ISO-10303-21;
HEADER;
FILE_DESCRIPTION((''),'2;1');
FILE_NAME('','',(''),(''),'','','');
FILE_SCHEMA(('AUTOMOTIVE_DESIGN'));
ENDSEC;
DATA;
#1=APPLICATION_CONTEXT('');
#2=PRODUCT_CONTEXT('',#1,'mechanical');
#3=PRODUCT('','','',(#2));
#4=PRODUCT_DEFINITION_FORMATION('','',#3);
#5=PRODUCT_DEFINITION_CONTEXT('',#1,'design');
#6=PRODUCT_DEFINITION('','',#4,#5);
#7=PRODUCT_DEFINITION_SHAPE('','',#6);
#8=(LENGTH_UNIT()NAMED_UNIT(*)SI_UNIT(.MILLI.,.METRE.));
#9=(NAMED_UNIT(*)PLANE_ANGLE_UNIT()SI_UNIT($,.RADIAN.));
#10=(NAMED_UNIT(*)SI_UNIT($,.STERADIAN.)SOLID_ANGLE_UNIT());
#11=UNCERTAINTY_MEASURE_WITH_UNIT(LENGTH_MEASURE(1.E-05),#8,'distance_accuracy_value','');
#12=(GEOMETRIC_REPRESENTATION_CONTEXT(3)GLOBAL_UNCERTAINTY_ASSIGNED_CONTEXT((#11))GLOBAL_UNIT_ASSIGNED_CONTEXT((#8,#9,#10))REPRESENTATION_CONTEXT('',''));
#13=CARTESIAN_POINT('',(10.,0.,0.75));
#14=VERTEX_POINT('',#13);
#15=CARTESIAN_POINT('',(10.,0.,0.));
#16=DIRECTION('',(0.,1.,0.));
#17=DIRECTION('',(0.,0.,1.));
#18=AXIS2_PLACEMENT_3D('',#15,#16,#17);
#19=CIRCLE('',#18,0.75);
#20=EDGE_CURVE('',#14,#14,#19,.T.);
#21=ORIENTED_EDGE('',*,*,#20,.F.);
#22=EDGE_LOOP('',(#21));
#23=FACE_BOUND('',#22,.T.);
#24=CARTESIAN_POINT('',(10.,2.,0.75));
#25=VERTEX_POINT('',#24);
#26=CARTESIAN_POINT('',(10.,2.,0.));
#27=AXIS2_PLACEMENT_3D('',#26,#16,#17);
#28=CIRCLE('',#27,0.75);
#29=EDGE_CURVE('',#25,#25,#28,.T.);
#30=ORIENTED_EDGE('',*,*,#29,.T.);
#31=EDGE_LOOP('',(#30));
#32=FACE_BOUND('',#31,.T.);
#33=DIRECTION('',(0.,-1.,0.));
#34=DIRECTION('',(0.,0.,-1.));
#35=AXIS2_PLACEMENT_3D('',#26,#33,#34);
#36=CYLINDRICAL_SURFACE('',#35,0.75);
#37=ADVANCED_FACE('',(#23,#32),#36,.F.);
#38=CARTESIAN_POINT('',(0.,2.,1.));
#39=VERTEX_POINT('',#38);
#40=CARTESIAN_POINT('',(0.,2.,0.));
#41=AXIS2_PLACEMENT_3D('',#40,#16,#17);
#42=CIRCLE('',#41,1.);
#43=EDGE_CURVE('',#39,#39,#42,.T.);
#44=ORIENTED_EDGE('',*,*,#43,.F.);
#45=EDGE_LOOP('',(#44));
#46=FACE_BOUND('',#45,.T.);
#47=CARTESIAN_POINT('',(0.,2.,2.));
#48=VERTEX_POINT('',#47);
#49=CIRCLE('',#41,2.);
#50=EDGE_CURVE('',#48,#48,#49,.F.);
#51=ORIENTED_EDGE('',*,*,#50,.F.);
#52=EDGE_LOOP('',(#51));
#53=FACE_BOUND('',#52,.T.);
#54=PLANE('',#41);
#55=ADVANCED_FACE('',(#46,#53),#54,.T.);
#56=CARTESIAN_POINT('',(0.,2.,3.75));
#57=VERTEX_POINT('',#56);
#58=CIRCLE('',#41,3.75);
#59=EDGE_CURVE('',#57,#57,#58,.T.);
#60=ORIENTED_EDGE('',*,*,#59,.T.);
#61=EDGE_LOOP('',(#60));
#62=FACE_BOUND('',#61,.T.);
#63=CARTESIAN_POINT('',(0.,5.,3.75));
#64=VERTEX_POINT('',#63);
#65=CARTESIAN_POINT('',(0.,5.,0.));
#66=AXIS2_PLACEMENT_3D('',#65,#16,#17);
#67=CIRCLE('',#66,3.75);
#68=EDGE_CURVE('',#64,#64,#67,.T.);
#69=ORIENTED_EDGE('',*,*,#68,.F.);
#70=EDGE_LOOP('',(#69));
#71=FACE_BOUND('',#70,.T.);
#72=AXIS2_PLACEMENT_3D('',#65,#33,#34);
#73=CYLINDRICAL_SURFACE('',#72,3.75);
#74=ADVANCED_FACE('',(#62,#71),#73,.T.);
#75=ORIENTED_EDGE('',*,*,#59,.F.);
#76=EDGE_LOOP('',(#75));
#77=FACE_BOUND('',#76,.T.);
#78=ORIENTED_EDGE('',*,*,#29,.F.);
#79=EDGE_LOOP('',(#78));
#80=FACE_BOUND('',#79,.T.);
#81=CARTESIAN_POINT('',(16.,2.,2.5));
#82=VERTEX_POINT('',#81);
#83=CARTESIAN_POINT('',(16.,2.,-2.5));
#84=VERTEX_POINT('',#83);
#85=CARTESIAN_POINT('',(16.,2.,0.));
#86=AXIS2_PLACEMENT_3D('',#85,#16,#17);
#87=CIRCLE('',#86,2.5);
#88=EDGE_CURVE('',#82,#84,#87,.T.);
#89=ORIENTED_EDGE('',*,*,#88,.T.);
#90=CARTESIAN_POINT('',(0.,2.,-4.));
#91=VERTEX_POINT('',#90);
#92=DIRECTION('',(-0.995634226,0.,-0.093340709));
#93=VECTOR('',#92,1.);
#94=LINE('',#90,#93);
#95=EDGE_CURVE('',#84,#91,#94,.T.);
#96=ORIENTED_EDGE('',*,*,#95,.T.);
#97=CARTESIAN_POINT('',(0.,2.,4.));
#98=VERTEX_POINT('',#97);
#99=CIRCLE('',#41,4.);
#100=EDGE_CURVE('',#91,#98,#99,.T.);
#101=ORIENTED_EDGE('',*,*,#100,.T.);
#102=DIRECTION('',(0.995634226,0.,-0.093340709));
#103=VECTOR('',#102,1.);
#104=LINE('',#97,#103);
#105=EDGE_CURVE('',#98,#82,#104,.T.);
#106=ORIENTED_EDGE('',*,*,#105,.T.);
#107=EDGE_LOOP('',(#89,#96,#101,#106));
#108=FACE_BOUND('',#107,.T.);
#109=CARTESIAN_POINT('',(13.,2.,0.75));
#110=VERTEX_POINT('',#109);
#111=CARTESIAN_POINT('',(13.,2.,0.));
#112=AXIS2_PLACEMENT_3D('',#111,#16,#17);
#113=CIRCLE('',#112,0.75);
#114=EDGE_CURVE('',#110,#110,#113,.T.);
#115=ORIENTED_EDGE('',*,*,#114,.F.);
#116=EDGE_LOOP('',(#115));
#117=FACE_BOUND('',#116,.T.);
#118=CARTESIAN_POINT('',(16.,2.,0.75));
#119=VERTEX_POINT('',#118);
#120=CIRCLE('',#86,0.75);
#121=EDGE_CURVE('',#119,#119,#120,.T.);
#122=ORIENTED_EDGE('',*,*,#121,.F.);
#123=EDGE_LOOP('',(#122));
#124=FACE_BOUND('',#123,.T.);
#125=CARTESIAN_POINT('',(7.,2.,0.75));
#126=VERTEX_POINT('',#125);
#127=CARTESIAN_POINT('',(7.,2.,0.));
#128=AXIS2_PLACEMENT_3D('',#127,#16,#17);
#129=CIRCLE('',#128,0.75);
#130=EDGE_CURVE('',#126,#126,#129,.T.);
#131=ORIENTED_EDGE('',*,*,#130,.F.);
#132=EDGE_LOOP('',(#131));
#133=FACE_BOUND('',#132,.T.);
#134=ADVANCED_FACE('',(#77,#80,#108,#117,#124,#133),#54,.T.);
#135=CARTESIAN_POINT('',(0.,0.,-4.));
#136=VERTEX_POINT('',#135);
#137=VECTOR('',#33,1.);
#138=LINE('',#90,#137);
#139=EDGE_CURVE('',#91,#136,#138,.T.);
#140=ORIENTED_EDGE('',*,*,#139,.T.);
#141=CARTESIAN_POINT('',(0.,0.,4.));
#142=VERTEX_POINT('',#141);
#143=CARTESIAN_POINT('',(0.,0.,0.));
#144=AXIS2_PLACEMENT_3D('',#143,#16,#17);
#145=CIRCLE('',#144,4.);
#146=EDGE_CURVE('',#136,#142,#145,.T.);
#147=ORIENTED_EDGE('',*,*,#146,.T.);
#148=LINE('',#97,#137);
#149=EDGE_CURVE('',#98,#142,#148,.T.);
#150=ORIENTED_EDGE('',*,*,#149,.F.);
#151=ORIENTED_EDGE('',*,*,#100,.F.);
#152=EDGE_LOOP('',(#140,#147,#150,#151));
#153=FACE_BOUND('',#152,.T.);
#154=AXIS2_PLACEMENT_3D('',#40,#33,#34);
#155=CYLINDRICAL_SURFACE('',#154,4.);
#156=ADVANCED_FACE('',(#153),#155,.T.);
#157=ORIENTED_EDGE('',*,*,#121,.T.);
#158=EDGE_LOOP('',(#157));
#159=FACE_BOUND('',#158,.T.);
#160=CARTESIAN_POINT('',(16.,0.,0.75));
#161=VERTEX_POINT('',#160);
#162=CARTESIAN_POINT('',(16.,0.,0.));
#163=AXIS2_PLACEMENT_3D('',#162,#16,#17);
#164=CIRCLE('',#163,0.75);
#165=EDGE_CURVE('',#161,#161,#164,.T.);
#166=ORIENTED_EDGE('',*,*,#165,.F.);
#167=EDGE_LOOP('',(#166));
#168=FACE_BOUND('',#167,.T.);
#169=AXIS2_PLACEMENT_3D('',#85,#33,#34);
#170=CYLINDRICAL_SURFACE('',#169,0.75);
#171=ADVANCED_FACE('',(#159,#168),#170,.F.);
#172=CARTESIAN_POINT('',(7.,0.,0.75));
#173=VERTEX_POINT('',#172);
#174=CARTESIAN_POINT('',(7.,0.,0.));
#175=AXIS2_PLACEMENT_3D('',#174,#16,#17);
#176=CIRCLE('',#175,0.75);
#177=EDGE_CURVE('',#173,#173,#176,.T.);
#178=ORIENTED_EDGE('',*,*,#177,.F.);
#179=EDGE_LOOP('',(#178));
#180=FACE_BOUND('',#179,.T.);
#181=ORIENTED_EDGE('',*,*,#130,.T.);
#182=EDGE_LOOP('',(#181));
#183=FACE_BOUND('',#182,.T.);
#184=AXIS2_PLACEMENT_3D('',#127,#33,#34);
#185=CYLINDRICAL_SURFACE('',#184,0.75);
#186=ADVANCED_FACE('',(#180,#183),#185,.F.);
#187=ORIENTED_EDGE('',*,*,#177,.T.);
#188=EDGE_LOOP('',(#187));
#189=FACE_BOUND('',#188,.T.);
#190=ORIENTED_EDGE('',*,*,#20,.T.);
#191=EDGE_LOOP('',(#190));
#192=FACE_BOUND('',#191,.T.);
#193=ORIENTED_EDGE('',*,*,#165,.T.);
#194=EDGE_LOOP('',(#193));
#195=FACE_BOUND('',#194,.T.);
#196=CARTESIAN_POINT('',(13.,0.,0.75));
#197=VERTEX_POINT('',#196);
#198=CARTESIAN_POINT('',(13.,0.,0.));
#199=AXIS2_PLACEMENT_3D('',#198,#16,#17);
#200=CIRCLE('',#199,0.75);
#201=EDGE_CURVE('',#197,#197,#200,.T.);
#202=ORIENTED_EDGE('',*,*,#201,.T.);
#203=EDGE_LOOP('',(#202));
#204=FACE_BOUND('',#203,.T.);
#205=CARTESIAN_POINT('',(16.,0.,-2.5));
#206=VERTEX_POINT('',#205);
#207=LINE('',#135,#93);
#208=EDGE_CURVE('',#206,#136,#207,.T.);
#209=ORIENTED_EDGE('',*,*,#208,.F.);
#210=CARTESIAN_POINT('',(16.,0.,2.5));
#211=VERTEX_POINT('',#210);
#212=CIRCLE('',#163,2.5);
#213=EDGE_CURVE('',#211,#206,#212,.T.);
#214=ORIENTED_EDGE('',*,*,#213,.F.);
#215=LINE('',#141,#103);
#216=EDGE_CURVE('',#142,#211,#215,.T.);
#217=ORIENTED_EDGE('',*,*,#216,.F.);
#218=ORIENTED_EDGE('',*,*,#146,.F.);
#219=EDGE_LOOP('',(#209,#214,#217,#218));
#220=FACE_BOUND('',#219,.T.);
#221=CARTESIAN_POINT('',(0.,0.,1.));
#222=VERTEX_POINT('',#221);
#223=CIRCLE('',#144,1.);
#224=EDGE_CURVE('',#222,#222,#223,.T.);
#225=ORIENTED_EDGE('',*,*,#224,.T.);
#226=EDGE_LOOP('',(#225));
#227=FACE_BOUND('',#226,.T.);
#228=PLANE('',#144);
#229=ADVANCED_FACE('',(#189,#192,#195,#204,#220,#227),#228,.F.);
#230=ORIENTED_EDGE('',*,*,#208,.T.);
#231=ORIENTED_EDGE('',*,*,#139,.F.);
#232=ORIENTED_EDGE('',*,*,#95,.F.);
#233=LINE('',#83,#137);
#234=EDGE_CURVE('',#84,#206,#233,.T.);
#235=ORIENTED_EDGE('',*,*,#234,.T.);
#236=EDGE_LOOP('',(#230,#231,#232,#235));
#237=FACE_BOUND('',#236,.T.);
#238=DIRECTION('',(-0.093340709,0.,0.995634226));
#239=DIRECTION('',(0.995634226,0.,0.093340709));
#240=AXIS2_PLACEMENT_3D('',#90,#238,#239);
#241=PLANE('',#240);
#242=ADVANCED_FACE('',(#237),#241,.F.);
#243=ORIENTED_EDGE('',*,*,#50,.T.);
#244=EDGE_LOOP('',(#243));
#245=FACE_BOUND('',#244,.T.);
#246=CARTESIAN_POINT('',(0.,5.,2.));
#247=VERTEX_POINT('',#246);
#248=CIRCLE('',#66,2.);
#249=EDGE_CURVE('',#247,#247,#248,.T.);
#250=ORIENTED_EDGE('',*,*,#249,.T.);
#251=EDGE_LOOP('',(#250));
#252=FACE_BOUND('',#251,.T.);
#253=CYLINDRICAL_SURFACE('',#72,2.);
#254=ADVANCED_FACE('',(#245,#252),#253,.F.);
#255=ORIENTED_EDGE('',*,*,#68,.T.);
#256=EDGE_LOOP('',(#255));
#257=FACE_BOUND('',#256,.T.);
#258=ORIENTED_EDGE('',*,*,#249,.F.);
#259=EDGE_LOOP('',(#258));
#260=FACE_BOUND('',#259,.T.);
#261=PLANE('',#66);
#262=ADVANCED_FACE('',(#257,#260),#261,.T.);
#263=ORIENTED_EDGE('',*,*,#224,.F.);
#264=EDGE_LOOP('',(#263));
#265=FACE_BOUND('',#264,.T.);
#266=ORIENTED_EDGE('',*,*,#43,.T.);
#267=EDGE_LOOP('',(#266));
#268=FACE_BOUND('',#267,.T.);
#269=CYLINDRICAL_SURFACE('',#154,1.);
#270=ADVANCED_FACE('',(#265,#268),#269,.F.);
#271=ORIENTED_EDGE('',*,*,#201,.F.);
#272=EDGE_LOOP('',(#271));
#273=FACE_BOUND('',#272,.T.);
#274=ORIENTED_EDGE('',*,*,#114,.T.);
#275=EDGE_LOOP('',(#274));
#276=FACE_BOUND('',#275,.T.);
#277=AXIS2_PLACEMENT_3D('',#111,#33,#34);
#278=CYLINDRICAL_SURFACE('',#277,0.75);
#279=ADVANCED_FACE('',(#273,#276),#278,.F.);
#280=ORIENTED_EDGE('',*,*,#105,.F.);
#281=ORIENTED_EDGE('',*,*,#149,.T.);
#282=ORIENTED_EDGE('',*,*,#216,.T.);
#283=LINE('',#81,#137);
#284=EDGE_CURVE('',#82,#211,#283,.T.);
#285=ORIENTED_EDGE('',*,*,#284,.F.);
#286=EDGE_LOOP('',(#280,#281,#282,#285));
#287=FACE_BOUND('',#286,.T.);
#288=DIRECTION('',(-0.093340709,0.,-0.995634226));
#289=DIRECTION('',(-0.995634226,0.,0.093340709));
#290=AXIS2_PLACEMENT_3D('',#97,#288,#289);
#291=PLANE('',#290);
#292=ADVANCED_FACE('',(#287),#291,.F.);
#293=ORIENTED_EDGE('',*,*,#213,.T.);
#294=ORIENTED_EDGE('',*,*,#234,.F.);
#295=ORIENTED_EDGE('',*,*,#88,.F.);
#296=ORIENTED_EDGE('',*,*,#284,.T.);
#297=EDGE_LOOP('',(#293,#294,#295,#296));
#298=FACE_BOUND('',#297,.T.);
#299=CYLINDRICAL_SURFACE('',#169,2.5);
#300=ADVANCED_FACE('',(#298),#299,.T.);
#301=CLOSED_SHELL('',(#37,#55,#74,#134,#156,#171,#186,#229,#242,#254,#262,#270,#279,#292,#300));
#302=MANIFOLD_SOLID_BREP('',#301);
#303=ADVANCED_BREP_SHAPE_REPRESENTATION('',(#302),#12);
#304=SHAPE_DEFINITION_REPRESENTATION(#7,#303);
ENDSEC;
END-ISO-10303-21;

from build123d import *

# Parameters (mm, degrees)
ESQUISSE1_R        = 0.75
ESQUISSE1_R_2      = 1
BOSS_EXTRU_1_DEPTH = 2
ESQUISSE2_R        = 3.75
ESQUISSE2_R_2      = 2
BOSS_EXTRU_2_DEPTH = 3


with BuildPart() as part:
    # Esquisse1 → Boss.-Extru.1 (new body)
    with BuildSketch(Plane(origin=(0, 0, 0), x_dir=(1, 0, 0), z_dir=(0, 1, 0))):
        with BuildLine():
            Line((0, 4), (16, 2.5))
            ThreePointArc((16, 2.5), (18.5, 0), (16, -2.5))
            Line((16, -2.5), (0, -4))
            ThreePointArc((0, -4), (-4, 0), (0, 4))
        make_face()
        with Locations(Location((16, 0, 0), (0, 0, 270))):
            Circle(ESQUISSE1_R, mode=Mode.SUBTRACT)
        with Locations(Location((13, 0, 0), (0, 0, 270))):
            Circle(ESQUISSE1_R, mode=Mode.SUBTRACT)
        with Locations(Location((10, 0, 0), (0, 0, 270))):
            Circle(ESQUISSE1_R, mode=Mode.SUBTRACT)
        with Locations(Location((7, 0, 0), (0, 0, 270))):
            Circle(ESQUISSE1_R, mode=Mode.SUBTRACT)
        with Locations(Location((0, 0, 0), (0, 0, 270))):
            Circle(ESQUISSE1_R_2, mode=Mode.SUBTRACT)
    extrude(amount=BOSS_EXTRU_1_DEPTH)

    # Esquisse2 → Boss.-Extru.2 (add)
    with BuildSketch(Plane(origin=(0, 2, 0), x_dir=(1, 0, 0), z_dir=(0, 1, 0))):
        with Locations(Location((0, 0, 0), (0, 0, 270))):
            Circle(ESQUISSE2_R)
        with Locations(Location((0, 0, 0), (0, 0, 270))):
            Circle(ESQUISSE2_R_2, mode=Mode.SUBTRACT)
    extrude(amount=BOSS_EXTRU_2_DEPTH)


solid = part.part
